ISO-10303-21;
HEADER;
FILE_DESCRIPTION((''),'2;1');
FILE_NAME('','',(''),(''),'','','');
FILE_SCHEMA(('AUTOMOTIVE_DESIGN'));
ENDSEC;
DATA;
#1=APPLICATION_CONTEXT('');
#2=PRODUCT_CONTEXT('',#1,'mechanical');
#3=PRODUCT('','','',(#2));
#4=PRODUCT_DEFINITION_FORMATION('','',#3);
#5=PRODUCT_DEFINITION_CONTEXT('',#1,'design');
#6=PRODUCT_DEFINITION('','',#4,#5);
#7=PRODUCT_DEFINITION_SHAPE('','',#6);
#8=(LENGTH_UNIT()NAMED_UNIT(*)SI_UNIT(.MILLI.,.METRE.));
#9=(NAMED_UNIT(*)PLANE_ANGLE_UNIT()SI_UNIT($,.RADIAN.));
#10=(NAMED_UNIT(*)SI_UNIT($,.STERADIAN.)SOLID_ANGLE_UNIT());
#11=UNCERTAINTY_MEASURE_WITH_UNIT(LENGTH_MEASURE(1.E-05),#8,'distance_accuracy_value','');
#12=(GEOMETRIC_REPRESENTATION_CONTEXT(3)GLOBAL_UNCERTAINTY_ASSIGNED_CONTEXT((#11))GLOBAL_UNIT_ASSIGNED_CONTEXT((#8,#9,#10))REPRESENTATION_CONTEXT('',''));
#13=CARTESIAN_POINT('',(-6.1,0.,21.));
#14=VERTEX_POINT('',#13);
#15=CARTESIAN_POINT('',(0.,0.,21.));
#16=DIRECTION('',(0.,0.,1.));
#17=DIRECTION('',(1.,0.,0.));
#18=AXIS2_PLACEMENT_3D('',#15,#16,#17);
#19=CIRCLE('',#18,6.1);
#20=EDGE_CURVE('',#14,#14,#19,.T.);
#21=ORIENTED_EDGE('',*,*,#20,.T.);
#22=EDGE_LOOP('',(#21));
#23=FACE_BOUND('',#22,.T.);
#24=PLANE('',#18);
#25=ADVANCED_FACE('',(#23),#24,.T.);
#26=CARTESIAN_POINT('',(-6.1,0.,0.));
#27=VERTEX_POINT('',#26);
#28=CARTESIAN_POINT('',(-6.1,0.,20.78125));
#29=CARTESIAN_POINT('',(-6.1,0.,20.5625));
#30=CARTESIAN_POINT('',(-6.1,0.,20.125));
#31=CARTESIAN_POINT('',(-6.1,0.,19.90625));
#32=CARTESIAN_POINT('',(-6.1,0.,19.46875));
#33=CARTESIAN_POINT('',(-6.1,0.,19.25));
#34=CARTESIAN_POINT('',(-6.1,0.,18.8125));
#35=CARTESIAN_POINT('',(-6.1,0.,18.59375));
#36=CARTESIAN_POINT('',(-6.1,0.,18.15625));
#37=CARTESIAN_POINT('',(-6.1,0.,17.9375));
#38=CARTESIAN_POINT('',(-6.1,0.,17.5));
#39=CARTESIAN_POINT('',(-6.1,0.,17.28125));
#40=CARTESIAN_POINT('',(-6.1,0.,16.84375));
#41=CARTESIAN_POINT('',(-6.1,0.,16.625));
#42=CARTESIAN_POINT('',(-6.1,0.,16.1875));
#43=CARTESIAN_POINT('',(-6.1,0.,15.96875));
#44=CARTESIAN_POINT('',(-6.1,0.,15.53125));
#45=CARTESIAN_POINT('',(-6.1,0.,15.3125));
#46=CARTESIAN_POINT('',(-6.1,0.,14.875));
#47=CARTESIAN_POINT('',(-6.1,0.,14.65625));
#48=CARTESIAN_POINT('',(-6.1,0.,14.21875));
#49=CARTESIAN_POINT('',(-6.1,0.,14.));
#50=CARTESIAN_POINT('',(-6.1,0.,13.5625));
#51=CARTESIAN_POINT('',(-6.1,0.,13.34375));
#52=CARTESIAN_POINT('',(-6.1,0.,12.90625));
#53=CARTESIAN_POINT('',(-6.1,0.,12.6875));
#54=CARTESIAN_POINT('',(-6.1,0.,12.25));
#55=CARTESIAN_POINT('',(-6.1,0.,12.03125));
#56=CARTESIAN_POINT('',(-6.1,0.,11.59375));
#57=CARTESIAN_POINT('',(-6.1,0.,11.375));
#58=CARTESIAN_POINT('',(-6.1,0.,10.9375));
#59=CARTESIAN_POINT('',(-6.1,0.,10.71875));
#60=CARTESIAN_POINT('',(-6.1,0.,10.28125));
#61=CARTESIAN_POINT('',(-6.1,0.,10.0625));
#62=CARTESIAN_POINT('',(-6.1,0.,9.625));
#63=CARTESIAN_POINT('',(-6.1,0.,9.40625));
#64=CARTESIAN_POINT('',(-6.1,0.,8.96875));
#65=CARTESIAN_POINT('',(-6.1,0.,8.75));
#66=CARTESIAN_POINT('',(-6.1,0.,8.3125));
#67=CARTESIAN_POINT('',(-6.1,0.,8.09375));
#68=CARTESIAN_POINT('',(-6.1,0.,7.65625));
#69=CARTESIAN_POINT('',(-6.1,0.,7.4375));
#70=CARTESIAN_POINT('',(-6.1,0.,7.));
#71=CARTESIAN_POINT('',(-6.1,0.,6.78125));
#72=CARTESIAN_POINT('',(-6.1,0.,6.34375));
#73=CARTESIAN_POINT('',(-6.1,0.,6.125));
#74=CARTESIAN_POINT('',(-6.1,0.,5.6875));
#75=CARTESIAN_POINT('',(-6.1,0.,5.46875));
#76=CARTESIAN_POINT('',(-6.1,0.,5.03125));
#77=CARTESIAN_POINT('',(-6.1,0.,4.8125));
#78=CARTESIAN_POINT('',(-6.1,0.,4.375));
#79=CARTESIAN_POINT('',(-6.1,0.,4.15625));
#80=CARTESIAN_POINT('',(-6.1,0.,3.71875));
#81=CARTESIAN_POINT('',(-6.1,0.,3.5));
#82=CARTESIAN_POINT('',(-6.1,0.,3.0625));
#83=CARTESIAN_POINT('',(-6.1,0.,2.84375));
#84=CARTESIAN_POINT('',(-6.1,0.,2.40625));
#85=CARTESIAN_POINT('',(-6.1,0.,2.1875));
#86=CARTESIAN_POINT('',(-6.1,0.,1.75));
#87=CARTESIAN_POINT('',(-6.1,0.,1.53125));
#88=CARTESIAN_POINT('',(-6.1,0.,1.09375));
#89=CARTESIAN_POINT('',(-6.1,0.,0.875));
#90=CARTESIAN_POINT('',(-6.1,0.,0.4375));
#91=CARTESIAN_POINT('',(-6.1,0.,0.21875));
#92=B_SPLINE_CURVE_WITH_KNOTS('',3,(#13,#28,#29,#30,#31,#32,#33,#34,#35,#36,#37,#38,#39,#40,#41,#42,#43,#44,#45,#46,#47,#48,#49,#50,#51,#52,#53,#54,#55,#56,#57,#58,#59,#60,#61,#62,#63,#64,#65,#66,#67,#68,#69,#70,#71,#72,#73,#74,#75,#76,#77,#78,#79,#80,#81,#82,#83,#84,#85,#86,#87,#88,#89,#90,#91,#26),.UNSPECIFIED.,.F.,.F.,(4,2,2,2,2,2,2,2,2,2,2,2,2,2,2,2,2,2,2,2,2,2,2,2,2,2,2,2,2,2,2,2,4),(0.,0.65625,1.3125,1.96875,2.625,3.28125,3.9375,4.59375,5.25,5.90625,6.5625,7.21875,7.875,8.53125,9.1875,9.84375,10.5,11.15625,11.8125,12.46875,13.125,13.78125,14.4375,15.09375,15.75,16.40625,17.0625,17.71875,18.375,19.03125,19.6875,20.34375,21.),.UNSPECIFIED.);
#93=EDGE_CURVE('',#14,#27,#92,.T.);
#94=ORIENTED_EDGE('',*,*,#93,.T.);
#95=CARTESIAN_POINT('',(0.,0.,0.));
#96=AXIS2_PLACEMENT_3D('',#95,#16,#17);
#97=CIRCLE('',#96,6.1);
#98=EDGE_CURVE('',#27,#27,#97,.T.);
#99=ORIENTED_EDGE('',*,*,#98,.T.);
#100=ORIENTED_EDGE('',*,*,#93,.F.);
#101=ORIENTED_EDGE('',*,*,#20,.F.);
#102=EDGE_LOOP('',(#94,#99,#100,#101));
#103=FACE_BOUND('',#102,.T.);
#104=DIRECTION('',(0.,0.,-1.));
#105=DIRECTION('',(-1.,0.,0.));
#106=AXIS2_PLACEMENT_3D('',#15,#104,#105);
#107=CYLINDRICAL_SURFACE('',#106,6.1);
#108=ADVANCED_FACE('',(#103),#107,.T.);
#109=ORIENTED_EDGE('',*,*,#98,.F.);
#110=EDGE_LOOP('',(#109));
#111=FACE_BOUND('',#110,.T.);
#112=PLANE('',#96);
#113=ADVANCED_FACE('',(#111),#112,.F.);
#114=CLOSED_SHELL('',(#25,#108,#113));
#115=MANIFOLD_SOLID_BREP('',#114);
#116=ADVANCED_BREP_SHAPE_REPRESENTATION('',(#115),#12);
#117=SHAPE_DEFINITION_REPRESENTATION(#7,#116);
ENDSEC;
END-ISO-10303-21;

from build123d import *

# Parameters (mm, degrees)
SKETCH1_R      = 6.1
ENVELOPE_DEPTH = 21


with BuildPart() as part:
    # Sketch1 → Envelope (new body)
    with BuildSketch(Plane.XY):
        with Locations(Location((0, 0, 0), (0, 0, 180))):
            Circle(SKETCH1_R)
    extrude(amount=ENVELOPE_DEPTH)


solid = part.part
